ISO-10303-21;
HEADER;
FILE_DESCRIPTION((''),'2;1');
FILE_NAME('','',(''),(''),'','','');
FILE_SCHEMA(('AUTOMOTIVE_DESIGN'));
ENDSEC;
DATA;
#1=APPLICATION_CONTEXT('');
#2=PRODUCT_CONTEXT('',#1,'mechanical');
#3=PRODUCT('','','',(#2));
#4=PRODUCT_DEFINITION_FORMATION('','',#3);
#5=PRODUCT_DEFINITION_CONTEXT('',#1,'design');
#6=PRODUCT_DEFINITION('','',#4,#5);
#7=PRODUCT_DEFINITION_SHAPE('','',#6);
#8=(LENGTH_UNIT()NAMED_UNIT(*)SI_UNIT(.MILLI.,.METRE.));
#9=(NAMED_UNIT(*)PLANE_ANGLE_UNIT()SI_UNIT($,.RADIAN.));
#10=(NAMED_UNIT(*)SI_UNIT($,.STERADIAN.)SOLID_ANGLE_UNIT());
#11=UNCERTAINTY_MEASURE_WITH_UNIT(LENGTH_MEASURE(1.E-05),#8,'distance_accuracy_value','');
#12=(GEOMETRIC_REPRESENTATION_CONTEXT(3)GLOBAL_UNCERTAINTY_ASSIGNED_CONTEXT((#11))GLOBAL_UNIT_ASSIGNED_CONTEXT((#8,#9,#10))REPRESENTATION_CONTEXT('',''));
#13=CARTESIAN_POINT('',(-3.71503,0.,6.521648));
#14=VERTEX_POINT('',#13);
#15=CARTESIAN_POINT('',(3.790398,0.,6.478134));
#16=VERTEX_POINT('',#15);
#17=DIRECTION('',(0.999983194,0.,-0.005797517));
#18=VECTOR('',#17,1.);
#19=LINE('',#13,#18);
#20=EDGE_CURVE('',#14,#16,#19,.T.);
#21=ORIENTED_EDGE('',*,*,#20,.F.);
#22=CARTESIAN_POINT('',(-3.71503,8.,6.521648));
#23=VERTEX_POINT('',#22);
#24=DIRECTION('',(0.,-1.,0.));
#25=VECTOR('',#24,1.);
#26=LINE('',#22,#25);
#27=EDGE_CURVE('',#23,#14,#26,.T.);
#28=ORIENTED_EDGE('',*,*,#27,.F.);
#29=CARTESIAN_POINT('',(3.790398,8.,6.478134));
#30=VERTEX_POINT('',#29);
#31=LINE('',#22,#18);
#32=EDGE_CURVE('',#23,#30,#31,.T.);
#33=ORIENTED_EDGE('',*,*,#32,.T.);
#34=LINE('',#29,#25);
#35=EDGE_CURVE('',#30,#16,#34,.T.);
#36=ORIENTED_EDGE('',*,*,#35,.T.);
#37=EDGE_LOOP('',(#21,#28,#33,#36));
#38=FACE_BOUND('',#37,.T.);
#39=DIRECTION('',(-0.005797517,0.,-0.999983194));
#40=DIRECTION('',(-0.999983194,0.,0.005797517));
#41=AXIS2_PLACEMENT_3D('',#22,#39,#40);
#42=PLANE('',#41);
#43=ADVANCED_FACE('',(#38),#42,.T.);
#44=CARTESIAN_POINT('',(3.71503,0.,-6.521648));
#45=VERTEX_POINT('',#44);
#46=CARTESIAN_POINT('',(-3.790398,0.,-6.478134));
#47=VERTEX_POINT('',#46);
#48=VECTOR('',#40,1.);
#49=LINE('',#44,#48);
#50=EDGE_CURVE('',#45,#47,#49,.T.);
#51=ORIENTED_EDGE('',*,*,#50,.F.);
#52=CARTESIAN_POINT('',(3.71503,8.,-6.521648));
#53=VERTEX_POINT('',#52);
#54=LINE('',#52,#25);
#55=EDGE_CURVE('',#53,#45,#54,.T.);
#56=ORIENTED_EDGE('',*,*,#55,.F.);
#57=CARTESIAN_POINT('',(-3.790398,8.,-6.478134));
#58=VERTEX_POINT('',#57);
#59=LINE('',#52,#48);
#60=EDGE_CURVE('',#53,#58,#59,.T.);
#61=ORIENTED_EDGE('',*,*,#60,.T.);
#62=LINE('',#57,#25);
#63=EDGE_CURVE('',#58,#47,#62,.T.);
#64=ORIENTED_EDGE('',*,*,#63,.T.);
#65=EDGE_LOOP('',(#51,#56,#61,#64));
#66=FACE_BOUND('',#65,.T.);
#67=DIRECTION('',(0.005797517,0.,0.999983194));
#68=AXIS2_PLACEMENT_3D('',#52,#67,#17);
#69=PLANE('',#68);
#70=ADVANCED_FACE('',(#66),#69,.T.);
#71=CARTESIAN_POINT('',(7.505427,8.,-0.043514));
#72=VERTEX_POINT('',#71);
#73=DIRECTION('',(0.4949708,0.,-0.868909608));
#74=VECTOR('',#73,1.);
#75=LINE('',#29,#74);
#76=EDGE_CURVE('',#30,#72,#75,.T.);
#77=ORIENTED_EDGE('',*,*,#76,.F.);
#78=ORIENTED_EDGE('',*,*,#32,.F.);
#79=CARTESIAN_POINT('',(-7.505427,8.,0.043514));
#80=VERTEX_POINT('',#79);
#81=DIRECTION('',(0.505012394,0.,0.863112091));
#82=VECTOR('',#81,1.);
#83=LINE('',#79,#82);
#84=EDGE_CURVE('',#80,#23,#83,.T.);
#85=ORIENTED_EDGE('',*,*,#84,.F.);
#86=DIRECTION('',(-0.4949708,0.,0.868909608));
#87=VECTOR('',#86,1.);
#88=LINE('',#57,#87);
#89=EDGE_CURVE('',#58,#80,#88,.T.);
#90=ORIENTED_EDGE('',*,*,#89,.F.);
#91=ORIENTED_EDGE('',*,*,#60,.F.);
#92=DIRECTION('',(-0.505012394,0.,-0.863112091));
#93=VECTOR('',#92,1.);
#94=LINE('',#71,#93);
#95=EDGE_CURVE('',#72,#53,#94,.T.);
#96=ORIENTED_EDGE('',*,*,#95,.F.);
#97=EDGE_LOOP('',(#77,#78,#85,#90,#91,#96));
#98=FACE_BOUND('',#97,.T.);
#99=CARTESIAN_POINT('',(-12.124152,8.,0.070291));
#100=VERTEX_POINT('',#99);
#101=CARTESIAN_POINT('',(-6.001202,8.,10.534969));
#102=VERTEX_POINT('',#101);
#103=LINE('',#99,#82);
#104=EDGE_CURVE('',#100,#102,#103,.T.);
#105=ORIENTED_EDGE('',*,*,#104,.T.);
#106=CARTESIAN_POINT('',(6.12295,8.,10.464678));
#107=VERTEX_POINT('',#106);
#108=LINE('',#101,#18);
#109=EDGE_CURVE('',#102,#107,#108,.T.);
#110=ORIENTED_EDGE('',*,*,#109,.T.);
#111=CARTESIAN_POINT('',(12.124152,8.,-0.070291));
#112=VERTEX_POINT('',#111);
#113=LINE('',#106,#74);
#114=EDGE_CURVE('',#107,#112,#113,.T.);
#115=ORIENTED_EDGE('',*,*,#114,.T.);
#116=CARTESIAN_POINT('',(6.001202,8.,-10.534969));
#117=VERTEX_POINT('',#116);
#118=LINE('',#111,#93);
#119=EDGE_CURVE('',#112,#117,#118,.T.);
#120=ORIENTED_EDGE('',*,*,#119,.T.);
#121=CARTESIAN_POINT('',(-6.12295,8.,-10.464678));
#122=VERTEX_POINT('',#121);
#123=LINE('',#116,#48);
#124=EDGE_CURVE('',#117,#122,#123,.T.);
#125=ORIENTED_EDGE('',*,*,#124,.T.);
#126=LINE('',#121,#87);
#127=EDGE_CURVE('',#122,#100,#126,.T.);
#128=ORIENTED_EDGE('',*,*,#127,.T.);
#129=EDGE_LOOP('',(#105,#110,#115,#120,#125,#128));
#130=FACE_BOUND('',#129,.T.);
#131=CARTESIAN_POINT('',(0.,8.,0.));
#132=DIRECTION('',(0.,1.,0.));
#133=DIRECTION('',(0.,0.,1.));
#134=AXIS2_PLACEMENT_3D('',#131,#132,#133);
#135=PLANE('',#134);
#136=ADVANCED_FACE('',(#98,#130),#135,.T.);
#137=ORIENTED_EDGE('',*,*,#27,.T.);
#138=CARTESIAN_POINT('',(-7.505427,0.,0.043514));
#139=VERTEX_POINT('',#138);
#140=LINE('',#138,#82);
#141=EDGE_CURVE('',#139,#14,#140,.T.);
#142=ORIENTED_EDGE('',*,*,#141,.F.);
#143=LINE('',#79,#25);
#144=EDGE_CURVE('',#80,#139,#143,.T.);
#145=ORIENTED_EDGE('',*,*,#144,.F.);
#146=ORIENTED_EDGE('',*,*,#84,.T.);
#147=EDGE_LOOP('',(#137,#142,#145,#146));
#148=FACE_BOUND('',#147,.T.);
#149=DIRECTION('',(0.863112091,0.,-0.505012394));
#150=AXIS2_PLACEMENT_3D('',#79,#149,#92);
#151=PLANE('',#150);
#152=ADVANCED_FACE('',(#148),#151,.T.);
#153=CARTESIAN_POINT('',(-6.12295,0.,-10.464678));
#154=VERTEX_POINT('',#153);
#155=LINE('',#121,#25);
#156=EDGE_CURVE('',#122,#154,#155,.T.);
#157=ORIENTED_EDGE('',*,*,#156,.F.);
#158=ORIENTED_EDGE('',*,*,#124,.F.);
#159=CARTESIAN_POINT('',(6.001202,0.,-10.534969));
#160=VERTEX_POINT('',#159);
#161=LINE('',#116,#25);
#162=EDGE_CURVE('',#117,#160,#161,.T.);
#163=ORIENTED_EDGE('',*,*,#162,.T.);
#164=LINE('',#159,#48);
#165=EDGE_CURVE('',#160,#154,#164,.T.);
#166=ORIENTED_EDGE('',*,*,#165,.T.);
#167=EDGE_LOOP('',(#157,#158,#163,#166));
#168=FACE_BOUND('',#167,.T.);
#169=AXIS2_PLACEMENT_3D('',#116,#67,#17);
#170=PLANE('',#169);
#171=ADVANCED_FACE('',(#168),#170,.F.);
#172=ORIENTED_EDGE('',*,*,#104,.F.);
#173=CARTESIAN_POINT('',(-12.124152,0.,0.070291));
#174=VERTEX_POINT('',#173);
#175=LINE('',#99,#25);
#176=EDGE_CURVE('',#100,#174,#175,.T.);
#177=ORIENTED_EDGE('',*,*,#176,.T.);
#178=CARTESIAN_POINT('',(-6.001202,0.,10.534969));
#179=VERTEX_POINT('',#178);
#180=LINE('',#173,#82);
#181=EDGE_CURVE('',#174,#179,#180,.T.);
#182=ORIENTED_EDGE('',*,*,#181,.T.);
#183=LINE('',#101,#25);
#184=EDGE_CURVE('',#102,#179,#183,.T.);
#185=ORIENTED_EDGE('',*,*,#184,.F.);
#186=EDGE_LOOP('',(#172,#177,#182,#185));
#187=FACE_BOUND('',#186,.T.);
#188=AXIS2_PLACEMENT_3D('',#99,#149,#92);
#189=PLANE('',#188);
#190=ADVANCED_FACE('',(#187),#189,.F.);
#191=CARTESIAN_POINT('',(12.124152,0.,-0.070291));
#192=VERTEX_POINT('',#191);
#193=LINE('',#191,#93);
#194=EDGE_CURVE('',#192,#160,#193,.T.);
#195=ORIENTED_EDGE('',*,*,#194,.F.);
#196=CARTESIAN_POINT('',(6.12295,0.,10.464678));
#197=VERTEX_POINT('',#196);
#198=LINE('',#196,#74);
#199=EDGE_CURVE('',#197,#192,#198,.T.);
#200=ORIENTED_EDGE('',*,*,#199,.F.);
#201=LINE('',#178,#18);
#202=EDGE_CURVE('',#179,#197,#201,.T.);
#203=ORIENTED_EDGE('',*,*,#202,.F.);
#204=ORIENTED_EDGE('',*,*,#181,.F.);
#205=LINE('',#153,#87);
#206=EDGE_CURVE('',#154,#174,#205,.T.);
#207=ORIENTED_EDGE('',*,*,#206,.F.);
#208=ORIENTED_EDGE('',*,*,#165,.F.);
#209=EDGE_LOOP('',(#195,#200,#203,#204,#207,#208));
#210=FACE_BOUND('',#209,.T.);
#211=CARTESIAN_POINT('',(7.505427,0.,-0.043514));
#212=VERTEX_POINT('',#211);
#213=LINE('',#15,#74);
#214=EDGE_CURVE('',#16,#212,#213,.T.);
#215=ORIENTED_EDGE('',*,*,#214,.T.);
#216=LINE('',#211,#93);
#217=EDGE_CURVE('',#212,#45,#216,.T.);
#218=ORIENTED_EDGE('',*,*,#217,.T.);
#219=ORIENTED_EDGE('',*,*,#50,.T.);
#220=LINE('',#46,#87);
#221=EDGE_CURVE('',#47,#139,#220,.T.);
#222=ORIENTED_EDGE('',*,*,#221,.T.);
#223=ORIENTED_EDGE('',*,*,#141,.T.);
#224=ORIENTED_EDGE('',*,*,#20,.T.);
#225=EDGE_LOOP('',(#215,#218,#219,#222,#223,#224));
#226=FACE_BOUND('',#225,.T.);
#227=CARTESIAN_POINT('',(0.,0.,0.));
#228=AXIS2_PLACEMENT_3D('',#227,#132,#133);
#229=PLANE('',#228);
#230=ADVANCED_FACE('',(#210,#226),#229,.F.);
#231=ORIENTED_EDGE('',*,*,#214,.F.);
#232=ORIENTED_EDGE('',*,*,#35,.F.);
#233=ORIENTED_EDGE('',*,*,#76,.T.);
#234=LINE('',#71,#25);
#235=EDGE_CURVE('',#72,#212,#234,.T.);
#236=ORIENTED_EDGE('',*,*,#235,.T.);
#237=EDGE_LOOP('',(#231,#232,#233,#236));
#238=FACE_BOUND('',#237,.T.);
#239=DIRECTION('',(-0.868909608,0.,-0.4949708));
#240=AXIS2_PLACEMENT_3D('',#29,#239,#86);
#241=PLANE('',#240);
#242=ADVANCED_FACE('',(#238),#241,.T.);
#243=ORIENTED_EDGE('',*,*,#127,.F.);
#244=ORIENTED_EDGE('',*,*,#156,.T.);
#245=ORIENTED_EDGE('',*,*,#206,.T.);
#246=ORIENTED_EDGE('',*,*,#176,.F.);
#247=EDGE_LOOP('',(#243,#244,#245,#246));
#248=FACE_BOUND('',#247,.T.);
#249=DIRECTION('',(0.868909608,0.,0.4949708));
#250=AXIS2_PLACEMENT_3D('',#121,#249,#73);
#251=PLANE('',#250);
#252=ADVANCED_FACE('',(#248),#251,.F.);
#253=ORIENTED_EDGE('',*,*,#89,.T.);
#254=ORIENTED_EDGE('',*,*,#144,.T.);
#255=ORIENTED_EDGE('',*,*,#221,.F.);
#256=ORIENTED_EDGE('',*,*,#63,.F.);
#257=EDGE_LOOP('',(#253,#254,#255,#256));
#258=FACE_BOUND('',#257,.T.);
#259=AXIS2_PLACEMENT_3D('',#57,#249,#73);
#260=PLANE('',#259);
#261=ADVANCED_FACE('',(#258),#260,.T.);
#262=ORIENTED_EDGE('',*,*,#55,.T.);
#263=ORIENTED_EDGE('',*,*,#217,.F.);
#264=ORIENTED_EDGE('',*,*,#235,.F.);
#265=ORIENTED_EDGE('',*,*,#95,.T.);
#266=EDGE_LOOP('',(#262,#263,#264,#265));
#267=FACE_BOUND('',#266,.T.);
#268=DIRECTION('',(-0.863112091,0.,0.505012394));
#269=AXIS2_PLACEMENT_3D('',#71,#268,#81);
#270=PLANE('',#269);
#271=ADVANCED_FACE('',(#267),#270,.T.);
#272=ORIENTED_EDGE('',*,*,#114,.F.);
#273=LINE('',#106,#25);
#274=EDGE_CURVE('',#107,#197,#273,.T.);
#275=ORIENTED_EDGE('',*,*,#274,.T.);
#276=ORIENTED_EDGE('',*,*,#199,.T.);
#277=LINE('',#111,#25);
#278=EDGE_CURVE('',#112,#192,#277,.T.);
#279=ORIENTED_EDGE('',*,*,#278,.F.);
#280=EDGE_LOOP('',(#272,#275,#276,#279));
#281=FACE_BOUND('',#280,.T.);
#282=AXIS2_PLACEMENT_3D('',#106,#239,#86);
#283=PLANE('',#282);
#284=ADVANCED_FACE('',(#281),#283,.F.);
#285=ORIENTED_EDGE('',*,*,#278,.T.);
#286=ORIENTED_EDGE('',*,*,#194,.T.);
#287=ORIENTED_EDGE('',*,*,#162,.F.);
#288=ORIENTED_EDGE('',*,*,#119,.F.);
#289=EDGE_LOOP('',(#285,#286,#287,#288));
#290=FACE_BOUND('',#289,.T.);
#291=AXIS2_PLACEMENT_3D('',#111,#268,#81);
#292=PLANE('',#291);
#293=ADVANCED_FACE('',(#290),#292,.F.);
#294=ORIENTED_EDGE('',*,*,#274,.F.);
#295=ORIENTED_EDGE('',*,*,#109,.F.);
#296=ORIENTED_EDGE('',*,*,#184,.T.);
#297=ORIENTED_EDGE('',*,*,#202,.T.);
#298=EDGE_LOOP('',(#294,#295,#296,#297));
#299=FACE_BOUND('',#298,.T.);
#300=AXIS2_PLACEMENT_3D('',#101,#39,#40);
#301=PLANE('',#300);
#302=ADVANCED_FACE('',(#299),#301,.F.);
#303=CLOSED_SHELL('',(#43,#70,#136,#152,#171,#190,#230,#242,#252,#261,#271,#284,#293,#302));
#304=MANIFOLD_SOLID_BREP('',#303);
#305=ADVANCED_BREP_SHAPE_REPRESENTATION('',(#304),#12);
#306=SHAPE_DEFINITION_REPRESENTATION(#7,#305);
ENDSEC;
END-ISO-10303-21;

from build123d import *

# Parameters (mm, degrees)
SALIENTE_EXTRUIR1_DEPTH = 8


with BuildPart() as part:
    # Croquis1 → Saliente-Extruir1 (new body)
    with BuildSketch(Plane(origin=(0, 0, 0), x_dir=(1, 0, 0), z_dir=(0, 1, 0))):
        Polygon((12.124151894, 0.070291154), (6.001202022, 10.534969117), (-6.122949872, 10.464677963), (-12.124151894, -0.070291154), (-6.001202022, -10.534969117), (6.122949872, -10.464677963), align=None)
        Polygon((3.79039754, -6.478133977), (7.505427363, 0.043513571), (3.715029823, 6.521647548), (-3.79039754, 6.478133977), (-7.505427363, -0.043513571), (-3.715029823, -6.521647548), align=None, mode=Mode.SUBTRACT)
    extrude(amount=SALIENTE_EXTRUIR1_DEPTH)


solid = part.part
